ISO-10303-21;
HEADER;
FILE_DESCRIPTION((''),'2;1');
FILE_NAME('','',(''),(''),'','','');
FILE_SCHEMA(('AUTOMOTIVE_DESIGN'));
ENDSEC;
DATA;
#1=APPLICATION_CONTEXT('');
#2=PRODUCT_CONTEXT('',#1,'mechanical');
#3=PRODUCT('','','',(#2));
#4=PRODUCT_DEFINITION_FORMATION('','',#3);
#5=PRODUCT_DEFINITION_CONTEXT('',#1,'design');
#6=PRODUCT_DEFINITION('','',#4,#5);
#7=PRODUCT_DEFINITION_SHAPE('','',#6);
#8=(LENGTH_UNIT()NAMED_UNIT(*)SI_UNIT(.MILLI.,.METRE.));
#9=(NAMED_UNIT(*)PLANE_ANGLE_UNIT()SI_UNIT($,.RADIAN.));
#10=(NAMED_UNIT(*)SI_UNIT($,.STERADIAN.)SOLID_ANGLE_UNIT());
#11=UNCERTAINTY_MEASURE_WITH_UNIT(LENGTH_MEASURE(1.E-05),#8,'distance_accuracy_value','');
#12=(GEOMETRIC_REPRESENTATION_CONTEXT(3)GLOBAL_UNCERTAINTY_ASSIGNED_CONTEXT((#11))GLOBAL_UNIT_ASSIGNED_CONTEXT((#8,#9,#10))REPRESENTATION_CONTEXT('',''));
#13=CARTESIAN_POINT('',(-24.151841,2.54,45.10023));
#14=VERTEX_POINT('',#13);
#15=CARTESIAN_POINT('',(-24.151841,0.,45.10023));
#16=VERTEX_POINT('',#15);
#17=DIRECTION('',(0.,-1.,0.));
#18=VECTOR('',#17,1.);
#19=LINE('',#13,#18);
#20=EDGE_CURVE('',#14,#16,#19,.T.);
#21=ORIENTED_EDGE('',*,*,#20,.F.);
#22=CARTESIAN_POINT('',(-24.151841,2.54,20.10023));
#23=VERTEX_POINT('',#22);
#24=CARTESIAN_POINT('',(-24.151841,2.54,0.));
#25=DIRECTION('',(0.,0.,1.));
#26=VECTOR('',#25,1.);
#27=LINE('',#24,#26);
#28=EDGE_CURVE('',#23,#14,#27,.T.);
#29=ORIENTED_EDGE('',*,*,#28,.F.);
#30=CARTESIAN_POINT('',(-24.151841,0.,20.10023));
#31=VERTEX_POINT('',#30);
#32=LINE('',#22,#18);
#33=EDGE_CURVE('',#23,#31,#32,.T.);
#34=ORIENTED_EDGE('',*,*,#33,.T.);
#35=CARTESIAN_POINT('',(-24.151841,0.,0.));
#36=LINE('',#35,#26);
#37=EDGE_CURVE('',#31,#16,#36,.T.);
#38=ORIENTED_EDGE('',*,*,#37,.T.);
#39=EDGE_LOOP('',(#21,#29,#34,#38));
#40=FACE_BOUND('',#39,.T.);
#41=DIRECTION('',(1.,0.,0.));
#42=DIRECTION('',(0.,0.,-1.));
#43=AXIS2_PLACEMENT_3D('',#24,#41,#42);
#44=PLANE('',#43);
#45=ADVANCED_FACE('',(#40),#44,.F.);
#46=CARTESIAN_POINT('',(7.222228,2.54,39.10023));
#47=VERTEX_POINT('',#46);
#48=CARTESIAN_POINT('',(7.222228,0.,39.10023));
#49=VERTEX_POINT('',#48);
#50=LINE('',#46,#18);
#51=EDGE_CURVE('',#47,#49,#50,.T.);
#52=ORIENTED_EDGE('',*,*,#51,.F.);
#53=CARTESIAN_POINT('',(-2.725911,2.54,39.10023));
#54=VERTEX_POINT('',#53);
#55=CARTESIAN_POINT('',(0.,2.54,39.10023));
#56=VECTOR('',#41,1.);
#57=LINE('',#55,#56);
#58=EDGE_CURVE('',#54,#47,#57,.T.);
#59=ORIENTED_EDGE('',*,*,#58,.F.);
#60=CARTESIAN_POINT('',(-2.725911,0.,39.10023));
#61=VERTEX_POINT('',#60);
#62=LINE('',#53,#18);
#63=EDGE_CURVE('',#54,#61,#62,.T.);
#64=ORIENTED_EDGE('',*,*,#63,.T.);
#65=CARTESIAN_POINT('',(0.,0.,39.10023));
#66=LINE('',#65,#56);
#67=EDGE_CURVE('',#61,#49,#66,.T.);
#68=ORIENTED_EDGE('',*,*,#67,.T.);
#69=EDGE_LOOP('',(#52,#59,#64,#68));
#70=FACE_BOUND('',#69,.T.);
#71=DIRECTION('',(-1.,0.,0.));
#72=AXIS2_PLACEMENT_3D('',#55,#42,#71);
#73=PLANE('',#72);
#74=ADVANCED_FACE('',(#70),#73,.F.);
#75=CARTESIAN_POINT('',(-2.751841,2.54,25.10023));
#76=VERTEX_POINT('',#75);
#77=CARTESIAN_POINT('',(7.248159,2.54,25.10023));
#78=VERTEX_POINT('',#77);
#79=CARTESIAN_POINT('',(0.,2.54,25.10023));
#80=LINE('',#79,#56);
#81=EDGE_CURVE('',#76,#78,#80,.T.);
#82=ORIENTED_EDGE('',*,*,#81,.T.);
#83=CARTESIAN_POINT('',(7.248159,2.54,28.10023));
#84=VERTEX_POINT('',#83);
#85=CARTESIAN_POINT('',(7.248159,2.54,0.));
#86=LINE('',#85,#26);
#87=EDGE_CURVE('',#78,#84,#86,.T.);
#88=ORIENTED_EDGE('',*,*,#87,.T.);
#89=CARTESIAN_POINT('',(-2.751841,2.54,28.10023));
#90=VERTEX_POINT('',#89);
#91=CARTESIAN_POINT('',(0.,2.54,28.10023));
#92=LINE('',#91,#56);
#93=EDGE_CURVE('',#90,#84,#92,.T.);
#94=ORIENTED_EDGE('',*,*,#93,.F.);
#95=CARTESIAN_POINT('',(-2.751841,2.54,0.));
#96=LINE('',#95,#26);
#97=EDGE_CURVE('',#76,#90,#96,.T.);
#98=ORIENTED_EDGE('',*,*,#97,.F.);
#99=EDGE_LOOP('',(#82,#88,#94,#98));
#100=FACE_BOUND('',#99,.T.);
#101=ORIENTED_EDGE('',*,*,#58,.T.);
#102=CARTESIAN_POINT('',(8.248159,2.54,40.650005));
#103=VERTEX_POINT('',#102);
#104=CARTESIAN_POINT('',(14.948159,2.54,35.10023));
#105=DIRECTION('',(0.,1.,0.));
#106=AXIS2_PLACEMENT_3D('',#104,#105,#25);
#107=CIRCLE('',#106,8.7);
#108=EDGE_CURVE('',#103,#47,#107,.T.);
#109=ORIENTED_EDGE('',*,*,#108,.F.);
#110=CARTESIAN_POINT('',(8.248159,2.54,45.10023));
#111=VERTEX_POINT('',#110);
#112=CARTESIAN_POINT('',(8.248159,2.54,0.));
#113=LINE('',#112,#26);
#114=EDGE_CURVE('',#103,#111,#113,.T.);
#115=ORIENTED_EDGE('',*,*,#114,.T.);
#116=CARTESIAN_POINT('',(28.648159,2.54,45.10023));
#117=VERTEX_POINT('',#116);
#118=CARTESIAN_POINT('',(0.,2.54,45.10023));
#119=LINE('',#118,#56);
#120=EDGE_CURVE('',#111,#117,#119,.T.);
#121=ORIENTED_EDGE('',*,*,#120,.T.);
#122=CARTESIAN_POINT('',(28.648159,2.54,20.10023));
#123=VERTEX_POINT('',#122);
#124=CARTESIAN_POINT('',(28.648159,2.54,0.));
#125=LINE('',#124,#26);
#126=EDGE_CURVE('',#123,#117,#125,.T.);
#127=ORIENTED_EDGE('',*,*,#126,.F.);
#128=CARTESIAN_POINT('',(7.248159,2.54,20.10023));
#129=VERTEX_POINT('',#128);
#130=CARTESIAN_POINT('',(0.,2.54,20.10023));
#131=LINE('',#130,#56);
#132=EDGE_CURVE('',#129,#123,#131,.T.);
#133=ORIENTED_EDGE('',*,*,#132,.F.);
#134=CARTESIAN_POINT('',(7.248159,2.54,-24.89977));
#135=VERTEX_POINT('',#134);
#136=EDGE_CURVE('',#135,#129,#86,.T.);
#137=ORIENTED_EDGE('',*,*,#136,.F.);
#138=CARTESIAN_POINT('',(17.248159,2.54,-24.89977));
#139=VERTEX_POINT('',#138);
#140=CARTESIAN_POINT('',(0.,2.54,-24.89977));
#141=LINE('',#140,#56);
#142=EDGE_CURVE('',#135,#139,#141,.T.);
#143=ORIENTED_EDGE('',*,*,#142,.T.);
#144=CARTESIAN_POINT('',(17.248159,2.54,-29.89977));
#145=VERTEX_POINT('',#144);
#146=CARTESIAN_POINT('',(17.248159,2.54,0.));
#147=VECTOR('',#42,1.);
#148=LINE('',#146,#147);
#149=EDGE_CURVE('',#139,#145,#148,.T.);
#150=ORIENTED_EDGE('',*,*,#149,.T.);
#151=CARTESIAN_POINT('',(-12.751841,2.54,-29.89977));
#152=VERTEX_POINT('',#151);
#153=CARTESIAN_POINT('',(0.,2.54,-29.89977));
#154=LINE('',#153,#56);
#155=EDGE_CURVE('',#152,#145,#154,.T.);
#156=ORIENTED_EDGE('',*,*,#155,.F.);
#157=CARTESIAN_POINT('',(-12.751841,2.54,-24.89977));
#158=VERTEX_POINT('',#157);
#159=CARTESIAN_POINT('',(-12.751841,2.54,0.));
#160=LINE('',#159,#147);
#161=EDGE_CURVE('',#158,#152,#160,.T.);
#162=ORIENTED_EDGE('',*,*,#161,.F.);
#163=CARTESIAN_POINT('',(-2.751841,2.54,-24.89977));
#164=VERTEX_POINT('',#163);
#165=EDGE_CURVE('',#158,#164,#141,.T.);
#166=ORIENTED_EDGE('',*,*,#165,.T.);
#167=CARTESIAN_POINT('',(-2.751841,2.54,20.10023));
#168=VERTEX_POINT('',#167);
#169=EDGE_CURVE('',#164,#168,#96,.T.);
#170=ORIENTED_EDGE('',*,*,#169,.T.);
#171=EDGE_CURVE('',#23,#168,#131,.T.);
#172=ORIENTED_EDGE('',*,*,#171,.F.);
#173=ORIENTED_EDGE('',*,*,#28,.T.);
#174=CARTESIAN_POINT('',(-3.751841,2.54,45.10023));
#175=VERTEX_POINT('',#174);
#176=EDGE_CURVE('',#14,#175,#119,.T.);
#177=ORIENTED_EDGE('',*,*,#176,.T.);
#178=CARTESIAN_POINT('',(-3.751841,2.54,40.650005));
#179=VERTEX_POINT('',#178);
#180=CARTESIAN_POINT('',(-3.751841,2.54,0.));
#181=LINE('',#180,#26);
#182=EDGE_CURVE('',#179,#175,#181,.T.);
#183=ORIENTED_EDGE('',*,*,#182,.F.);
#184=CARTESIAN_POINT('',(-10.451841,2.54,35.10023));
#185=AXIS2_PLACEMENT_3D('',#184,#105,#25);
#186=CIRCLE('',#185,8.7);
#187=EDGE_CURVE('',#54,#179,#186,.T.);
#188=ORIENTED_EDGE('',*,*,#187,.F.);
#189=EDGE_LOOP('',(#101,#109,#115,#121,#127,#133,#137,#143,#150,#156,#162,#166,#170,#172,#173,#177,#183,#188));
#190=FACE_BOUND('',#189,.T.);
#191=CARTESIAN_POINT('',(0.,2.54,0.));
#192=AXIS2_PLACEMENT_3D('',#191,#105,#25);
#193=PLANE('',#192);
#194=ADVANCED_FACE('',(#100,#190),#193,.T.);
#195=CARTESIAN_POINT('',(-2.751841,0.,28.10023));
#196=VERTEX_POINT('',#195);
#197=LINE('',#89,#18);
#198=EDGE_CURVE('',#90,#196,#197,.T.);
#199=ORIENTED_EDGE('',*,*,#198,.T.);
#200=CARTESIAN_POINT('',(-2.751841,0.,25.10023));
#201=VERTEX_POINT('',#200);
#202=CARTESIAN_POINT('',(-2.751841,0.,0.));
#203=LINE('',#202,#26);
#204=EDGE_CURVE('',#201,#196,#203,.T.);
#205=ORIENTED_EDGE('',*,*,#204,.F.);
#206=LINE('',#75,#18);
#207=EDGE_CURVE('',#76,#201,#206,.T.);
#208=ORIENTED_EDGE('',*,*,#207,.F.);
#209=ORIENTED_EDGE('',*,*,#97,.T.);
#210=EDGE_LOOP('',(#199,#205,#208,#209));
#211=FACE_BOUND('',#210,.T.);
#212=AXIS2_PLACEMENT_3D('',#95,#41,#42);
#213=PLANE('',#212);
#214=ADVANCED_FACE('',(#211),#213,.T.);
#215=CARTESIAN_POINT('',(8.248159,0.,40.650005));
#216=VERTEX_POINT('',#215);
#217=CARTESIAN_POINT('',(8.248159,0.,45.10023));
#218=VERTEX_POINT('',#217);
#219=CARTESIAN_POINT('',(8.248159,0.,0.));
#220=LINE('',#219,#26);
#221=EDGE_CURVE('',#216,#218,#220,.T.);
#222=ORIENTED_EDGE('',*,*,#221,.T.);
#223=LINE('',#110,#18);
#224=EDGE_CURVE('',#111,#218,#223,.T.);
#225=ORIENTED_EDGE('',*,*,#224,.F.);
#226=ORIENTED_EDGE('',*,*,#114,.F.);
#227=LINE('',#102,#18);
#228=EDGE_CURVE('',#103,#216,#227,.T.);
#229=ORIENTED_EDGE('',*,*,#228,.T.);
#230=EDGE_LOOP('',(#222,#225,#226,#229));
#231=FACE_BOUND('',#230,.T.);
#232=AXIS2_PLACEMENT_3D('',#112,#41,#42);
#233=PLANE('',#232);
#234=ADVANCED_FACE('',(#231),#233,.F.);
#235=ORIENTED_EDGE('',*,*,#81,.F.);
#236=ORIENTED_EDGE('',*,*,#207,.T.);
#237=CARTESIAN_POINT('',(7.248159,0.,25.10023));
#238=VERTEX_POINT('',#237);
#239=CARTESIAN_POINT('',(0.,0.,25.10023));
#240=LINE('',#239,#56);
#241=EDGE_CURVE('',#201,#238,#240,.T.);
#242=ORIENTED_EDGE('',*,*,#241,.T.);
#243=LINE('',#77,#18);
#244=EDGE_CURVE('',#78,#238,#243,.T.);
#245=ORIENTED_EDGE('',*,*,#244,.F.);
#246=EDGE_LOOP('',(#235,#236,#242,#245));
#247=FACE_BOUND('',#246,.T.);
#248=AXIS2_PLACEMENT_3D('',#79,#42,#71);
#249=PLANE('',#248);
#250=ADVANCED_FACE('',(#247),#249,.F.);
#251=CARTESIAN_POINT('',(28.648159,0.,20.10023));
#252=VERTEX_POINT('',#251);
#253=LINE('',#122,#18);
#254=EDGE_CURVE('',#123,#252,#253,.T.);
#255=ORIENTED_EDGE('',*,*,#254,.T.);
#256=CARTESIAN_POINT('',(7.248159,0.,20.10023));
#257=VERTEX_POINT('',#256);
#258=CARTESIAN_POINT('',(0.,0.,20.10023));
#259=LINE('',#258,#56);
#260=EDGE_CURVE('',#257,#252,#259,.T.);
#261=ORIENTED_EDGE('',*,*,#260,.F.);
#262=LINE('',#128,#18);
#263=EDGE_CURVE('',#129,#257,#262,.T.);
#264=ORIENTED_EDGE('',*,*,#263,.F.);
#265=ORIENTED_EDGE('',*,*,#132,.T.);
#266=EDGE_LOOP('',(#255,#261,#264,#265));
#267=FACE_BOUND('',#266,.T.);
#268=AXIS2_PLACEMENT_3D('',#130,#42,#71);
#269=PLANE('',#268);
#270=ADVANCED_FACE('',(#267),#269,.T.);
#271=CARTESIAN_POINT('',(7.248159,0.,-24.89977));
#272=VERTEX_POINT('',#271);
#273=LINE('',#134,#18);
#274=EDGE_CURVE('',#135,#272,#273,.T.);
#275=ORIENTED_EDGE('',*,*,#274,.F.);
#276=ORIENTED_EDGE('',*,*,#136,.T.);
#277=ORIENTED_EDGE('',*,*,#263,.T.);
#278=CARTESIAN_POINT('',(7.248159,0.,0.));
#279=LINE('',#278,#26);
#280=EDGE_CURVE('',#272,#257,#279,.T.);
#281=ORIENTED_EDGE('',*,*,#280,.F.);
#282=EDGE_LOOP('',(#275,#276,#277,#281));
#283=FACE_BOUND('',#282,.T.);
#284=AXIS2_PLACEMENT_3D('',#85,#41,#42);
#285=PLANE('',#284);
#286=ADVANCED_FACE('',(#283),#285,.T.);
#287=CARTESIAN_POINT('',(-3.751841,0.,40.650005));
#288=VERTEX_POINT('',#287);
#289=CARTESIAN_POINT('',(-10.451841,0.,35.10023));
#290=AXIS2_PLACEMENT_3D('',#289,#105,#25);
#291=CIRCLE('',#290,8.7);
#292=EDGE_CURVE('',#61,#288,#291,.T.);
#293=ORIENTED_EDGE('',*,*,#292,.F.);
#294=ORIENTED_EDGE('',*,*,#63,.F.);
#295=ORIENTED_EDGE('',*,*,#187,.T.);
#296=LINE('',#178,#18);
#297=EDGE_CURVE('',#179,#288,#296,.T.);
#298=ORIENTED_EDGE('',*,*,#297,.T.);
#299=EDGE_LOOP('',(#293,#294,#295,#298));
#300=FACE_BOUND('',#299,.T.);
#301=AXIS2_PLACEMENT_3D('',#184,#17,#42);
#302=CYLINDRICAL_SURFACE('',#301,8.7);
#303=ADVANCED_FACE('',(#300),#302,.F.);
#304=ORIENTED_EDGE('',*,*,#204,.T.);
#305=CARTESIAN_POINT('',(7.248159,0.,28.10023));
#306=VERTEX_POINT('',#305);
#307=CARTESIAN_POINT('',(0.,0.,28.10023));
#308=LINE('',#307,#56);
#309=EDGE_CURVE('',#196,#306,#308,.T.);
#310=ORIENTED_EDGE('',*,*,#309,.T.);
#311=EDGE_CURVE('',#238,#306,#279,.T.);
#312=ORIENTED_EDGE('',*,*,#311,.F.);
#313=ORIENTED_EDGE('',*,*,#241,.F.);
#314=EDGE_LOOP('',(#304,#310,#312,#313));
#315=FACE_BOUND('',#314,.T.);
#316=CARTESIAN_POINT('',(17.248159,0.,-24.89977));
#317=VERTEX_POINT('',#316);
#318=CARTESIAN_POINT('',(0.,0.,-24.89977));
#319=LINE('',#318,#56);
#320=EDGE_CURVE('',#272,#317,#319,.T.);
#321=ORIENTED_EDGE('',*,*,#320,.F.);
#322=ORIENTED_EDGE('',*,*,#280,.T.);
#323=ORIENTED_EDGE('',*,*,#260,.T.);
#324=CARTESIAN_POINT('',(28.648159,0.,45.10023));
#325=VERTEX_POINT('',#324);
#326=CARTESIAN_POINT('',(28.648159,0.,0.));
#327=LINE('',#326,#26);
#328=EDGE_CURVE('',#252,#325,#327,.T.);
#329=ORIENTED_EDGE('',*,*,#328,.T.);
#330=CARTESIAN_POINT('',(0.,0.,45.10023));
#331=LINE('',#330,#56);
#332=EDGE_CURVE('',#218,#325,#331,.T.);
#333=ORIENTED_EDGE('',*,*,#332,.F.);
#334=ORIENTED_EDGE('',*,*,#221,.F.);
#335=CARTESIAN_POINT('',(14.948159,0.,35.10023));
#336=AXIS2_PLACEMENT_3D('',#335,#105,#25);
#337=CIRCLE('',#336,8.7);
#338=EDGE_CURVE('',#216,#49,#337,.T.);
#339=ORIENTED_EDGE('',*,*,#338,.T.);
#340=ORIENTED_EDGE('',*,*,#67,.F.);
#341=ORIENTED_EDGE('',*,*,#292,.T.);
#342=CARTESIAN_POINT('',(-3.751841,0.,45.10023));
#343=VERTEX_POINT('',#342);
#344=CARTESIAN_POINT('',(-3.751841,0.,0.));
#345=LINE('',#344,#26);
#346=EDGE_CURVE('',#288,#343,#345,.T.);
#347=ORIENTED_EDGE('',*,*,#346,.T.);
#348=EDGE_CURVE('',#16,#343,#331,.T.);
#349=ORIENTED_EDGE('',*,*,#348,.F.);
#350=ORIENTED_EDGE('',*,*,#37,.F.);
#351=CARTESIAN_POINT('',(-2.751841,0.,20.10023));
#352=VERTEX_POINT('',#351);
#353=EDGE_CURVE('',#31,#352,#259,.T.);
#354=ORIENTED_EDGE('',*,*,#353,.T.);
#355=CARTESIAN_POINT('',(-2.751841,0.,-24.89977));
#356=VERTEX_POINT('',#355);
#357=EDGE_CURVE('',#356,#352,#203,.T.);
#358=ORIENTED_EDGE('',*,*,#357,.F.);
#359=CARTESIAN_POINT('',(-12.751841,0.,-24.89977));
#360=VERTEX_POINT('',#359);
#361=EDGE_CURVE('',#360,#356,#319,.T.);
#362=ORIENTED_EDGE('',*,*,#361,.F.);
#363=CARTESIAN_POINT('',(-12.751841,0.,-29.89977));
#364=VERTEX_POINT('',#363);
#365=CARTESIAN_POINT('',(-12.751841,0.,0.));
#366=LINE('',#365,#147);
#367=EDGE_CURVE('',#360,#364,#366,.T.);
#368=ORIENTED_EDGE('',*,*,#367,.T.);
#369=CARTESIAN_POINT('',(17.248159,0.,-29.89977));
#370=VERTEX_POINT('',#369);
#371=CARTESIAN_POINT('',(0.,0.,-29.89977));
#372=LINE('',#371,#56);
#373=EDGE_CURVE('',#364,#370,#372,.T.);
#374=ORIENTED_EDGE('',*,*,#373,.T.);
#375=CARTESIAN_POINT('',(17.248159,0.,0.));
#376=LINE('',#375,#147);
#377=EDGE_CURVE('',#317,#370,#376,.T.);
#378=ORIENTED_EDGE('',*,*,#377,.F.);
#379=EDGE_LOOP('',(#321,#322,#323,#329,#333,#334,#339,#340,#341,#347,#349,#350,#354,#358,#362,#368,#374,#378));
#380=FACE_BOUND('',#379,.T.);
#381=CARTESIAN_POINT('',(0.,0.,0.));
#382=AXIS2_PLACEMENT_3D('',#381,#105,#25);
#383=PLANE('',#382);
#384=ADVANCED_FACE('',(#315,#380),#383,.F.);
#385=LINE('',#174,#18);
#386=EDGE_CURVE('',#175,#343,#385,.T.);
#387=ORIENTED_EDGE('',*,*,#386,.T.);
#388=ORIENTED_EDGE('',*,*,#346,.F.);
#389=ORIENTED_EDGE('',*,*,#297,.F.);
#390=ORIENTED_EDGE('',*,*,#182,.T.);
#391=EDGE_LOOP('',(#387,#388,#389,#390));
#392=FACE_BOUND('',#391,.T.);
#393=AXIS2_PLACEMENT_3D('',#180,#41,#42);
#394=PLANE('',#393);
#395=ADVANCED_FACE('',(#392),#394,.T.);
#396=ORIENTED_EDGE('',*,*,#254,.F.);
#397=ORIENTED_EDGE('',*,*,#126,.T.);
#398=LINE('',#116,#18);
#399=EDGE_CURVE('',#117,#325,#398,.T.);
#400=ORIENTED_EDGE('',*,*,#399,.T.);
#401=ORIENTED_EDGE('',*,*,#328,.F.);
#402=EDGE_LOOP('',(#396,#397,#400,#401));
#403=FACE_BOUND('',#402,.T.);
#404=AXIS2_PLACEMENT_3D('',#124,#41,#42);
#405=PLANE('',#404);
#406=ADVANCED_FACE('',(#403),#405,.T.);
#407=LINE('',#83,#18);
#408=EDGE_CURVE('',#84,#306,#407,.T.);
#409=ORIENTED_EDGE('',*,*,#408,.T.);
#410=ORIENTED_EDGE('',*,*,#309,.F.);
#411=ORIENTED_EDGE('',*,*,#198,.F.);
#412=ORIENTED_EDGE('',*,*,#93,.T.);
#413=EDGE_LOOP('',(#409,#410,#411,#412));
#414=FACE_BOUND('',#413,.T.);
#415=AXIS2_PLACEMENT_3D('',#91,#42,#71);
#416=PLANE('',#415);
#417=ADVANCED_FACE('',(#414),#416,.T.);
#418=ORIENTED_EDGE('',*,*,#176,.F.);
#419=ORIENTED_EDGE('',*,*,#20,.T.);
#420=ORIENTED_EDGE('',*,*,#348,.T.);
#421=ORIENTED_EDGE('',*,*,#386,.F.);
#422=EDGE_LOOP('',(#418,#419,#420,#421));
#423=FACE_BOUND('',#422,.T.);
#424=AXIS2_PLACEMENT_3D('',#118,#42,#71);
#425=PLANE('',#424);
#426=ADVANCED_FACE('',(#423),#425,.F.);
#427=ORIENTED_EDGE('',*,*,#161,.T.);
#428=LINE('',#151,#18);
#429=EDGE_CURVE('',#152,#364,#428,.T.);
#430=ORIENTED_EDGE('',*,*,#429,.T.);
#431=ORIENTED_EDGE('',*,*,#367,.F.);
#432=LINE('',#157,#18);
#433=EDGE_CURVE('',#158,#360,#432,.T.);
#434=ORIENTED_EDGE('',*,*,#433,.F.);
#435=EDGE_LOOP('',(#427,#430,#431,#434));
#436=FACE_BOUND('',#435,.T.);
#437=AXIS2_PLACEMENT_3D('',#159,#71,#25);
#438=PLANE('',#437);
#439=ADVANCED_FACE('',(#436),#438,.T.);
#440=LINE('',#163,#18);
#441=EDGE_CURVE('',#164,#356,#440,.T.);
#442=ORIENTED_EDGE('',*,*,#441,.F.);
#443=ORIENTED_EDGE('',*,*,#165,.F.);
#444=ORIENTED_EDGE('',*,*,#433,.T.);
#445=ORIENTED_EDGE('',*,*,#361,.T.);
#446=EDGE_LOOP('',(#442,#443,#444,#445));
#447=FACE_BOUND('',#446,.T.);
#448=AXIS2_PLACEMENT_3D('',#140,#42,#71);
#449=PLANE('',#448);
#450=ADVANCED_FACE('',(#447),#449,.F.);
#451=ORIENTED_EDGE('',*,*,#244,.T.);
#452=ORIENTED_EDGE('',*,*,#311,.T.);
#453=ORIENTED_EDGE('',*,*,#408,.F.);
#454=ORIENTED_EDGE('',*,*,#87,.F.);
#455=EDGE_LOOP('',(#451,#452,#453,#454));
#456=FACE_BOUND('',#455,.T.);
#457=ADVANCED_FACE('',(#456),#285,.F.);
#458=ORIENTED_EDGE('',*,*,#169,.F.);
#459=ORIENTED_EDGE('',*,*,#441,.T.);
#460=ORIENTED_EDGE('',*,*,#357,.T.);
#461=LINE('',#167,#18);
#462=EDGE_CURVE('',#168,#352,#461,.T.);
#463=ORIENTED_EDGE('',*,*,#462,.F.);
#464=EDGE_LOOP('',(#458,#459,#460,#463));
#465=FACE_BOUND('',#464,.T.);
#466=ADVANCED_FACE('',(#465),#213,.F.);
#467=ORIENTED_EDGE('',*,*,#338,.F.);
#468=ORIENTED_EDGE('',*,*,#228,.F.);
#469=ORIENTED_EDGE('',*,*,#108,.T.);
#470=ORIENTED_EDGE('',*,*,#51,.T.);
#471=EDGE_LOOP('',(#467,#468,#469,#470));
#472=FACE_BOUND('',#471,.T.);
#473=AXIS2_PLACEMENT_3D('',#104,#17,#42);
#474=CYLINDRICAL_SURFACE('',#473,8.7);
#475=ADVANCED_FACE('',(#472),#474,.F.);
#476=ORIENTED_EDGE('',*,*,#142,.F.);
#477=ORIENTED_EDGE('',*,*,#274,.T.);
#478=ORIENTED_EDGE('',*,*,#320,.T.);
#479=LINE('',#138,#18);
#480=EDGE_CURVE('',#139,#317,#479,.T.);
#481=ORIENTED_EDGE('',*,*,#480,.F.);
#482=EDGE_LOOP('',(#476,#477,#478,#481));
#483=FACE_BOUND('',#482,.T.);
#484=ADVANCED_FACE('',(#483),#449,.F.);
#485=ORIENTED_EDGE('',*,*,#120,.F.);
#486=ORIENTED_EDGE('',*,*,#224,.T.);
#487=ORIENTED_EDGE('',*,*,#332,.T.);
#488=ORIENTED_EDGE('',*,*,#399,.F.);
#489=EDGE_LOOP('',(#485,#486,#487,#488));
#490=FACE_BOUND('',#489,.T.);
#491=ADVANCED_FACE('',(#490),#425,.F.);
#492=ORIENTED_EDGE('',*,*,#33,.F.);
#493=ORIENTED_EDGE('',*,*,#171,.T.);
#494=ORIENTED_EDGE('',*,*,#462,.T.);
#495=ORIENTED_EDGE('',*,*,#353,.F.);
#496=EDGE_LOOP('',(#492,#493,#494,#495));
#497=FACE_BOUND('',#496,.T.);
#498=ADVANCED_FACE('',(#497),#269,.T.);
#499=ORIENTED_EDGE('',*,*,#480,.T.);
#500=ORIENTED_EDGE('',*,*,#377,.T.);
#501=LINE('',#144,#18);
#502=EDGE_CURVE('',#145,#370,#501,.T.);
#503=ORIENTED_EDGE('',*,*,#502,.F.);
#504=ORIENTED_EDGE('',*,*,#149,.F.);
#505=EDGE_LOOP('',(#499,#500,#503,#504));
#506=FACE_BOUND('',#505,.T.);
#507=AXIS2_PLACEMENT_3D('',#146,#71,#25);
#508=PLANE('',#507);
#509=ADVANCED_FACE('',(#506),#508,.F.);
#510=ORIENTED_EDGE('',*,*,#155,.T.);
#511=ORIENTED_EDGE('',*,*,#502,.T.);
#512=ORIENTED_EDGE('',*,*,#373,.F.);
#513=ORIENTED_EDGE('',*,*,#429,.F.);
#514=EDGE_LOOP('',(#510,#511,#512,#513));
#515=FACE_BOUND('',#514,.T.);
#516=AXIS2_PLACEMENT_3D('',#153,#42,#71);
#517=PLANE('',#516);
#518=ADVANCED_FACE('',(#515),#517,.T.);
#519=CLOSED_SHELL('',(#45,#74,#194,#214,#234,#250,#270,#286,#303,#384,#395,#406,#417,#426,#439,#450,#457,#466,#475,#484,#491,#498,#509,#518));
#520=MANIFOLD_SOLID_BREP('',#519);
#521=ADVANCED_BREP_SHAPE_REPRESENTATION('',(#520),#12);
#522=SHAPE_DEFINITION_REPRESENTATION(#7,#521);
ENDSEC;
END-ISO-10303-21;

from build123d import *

# Parameters (mm, degrees)
SKETCH1_W           = 10
SKETCH1_H           = 3
BOSS_EXTRUDE2_DEPTH = 2.54


with BuildPart() as part:
    # Sketch1 → Boss-Extrude2 (new body)
    with BuildSketch(Plane(origin=(0, 0, 0), x_dir=(1, 0, 0), z_dir=(0, 1, 0))):
        with BuildLine():
            Line((-12.751841201, 24.899770263), (-2.751841201, 24.899770263))
            Line((-2.751841201, 24.899770263), (-2.751841201, -20.100229737))
            Line((-2.751841201, -20.100229737), (-24.151841201, -20.100229737))
            Line((-24.151841201, -20.100229737), (-24.151841201, -45.100229737))
            Line((-24.151841201, -45.100229737), (-3.751841201, -45.100229737))
            Line((-3.751841201, -45.100229737), (-3.751841201, -40.650004508))
            ThreePointArc((-3.751841201, -40.650004508), (-17.706309974, -30.297867525), (-2.725910836, -39.100229737))
            Line((-2.725910836, -39.100229737), (7.222228435, -39.100229737))
            ThreePointArc((7.222228435, -39.100229737), (22.202627573, -30.297867525), (8.248158799, -40.650004508))
            Line((8.248158799, -40.650004508), (8.248158799, -45.100229737))
            Line((8.248158799, -45.100229737), (28.648158799, -45.100229737))
            Line((28.648158799, -45.100229737), (28.648158799, -20.100229737))
            Line((28.648158799, -20.100229737), (7.248158799, -20.100229737))
            Line((7.248158799, -20.100229737), (7.248158799, 24.899770263))
            Line((7.248158799, 24.899770263), (17.248158799, 24.899770263))
            Line((17.248158799, 24.899770263), (17.248158799, 29.899770263))
            Line((17.248158799, 29.899770263), (-12.751841201, 29.899770263))
            Line((-12.751841201, 29.899770263), (-12.751841201, 24.899770263))
        make_face()
        with Locations((2.248158799, -26.600229737)):
            Rectangle(SKETCH1_W, SKETCH1_H, mode=Mode.SUBTRACT)
    extrude(amount=BOSS_EXTRUDE2_DEPTH)


solid = part.part
